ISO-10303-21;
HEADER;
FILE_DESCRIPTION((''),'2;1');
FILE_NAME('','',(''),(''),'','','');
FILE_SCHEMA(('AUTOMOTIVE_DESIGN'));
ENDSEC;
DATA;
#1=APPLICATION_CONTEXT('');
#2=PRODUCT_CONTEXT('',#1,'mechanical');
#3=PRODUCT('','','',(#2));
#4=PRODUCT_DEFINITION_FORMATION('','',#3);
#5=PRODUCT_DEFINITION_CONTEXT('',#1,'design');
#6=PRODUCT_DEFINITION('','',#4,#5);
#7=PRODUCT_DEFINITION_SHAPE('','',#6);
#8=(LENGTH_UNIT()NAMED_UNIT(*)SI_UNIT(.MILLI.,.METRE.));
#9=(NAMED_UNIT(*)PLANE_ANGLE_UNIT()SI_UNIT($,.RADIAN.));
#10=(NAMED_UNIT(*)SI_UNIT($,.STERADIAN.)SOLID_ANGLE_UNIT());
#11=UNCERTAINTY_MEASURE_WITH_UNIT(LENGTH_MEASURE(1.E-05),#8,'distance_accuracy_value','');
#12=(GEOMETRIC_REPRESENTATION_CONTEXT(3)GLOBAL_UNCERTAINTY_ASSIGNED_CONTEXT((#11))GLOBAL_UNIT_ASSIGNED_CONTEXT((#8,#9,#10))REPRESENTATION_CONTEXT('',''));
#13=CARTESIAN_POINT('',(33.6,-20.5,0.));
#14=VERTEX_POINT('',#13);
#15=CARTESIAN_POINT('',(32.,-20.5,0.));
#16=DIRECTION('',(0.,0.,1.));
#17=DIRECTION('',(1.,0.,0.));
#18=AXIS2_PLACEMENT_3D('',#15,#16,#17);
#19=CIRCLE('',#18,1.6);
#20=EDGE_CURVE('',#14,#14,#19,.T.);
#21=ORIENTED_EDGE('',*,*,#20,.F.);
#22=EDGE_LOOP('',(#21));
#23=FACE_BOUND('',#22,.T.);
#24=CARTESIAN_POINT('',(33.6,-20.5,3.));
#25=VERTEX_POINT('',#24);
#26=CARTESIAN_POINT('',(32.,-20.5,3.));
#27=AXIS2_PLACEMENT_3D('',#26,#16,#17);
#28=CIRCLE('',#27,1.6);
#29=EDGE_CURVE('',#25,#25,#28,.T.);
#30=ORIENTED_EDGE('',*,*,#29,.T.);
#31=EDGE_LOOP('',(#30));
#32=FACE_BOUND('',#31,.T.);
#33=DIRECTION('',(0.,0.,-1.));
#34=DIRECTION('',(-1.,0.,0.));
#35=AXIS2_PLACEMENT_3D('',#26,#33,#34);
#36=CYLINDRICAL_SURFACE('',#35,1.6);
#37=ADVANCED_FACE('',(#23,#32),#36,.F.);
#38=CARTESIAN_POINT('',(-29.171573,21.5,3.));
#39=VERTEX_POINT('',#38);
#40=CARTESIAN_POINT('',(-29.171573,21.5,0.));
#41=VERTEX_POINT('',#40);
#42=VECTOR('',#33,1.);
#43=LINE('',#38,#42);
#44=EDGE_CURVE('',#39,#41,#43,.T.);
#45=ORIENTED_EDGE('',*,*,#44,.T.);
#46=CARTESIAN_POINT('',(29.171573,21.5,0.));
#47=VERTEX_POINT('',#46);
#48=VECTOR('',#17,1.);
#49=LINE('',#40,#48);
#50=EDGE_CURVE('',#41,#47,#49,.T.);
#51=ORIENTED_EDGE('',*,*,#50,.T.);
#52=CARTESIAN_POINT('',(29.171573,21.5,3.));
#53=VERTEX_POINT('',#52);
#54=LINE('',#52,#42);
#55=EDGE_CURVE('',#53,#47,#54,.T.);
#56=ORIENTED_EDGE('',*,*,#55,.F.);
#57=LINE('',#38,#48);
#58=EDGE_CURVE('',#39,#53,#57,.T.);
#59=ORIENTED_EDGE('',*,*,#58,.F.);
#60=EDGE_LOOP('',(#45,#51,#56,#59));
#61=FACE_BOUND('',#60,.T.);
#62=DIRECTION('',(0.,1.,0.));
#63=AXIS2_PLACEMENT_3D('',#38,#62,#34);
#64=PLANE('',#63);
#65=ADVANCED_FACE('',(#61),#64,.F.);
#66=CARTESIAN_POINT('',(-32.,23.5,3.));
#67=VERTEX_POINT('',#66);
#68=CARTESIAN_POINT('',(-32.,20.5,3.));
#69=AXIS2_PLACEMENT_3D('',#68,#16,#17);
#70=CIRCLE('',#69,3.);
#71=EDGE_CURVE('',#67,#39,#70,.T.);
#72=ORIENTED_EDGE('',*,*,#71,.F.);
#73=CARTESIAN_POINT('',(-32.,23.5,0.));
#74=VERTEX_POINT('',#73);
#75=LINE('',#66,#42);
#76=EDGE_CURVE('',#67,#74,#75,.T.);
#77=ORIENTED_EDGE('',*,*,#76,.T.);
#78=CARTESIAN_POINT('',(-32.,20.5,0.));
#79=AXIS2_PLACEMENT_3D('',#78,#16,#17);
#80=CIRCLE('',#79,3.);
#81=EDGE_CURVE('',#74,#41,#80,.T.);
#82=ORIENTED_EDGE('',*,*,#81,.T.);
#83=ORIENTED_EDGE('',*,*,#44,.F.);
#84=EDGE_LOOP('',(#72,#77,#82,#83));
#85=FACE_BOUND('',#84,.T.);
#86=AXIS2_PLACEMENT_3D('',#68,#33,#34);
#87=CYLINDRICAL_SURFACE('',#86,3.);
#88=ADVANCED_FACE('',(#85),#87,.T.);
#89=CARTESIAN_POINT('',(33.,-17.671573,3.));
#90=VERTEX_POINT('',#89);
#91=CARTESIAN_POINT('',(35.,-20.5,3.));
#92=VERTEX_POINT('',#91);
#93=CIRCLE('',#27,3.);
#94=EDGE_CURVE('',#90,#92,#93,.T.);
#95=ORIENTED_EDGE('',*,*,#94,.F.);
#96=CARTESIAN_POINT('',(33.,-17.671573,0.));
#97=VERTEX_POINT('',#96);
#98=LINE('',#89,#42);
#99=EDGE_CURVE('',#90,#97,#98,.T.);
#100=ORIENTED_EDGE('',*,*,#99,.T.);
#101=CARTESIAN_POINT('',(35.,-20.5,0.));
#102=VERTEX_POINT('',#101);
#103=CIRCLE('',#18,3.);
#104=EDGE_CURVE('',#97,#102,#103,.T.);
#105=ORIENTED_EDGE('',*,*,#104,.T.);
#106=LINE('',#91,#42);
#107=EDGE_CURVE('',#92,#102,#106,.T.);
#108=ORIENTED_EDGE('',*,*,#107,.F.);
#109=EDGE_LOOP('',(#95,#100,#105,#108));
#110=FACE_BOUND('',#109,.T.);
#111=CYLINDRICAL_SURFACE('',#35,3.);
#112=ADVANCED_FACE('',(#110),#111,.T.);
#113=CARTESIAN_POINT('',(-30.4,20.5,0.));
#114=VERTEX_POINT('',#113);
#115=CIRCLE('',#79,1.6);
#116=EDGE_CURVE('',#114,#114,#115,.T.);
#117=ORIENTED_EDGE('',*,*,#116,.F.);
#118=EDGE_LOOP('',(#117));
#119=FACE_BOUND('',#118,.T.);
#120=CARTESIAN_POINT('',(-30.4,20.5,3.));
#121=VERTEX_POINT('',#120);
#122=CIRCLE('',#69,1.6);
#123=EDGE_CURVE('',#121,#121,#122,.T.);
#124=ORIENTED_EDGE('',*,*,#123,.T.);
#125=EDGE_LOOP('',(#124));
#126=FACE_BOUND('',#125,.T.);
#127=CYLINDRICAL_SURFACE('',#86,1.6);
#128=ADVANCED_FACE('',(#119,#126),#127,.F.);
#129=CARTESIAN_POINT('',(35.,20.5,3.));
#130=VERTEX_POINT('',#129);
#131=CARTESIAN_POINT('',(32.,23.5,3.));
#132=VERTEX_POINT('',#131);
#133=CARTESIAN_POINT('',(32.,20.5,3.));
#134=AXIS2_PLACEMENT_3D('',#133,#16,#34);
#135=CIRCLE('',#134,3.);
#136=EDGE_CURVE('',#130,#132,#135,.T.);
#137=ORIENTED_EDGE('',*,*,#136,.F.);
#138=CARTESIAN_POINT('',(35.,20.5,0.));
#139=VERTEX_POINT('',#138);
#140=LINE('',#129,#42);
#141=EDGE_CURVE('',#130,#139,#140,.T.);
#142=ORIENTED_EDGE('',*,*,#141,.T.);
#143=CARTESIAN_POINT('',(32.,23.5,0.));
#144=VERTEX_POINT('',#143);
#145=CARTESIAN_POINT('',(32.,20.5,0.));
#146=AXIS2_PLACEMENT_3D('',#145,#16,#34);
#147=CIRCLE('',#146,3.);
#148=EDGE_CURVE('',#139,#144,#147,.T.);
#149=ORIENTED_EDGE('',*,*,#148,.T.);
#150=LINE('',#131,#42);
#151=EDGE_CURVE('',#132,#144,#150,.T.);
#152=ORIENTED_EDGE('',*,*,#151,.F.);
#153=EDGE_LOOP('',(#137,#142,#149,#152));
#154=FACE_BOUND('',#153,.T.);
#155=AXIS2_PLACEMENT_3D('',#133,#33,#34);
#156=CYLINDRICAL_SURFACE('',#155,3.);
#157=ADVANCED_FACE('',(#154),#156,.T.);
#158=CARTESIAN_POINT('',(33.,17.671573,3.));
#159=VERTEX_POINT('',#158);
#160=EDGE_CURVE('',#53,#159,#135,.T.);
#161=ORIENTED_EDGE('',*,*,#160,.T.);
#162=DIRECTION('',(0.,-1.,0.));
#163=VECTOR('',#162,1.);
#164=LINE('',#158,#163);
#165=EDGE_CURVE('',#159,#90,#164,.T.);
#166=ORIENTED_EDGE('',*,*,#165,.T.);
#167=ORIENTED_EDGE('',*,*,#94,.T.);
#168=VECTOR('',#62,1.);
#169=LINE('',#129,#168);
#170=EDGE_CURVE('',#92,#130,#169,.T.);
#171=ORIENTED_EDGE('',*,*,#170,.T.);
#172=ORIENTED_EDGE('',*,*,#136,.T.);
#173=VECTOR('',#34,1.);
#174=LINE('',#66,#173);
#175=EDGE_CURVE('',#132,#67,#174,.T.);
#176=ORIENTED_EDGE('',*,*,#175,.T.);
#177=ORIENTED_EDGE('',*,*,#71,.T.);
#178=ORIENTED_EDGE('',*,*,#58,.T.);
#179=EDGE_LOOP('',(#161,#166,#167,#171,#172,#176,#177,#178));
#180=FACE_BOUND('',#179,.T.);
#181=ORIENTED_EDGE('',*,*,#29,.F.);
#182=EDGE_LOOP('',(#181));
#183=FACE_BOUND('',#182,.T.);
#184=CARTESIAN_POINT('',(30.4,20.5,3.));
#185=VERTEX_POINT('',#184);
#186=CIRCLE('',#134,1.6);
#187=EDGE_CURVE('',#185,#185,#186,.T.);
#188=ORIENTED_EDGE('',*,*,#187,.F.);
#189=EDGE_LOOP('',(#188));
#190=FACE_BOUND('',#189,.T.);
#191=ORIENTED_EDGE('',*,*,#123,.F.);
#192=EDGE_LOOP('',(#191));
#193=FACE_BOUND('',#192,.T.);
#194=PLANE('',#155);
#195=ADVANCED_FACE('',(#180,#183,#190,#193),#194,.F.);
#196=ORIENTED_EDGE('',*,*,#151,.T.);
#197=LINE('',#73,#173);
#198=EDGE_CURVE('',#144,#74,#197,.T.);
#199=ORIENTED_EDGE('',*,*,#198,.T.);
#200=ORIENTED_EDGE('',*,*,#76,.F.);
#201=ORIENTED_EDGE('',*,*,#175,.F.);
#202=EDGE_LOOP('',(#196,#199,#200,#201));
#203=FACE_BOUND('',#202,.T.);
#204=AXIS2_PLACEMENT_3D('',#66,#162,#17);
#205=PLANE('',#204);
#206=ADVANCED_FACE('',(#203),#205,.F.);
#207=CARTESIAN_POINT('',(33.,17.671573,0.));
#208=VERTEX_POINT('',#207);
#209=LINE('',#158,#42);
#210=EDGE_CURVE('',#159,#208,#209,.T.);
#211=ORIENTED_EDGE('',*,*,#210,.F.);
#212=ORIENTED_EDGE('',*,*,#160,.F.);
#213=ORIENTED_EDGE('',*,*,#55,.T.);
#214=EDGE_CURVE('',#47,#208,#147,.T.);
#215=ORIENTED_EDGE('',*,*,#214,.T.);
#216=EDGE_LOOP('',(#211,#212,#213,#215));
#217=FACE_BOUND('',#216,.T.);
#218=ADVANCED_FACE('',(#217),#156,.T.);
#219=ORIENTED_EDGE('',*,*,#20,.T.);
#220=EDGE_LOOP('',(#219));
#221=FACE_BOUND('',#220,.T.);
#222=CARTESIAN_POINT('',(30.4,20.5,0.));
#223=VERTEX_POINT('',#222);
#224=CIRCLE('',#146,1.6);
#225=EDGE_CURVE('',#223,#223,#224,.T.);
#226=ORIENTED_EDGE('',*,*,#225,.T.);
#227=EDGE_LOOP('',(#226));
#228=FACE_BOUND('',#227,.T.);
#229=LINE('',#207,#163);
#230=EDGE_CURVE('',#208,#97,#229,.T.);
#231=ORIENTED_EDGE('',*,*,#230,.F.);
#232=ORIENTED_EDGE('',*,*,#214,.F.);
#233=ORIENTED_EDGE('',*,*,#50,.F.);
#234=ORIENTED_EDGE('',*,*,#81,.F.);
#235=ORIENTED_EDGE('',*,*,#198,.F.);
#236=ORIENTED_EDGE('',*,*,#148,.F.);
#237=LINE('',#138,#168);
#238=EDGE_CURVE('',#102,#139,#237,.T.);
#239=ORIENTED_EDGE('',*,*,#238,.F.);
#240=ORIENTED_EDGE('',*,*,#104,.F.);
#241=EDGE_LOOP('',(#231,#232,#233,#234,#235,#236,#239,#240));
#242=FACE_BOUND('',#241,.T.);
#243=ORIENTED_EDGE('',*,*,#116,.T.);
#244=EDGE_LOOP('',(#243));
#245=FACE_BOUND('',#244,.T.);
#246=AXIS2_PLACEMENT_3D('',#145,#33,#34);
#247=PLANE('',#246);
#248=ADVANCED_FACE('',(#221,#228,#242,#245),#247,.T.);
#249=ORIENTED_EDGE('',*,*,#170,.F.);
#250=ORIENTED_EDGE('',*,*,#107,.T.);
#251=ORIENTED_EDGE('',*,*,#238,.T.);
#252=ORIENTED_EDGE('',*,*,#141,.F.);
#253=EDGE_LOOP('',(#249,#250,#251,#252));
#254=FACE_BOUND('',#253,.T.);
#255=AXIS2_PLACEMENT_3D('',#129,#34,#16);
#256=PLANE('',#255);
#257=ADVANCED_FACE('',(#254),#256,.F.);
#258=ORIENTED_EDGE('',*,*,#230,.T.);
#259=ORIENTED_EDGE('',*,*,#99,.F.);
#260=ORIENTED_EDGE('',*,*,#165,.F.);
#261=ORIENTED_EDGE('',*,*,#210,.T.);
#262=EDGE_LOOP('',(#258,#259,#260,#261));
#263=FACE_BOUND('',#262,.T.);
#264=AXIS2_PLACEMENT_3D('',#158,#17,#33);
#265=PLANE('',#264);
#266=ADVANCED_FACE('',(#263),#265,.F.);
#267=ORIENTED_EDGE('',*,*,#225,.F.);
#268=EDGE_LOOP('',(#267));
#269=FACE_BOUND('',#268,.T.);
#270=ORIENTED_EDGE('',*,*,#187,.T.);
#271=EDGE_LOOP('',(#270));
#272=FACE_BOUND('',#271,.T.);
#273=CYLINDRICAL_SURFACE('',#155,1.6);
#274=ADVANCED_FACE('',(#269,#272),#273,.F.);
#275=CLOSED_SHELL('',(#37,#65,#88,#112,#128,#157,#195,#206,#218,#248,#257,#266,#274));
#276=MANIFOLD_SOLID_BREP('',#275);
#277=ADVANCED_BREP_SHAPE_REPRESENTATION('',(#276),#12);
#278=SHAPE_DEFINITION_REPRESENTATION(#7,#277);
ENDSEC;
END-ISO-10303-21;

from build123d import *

# Parameters (mm, degrees)
ESBO_O1_R                = 1.6
RESSALTO_EXTRUS_O1_DEPTH = 3


with BuildPart() as part:
    # Esboço1 → Ressalto-extrusão1 (new body)
    with BuildSketch(Plane.XY):
        with BuildLine():
            Line((35, 20.5), (35, -20.5))
            ThreePointArc((35, -20.5), (29.550510257, -22.232050808), (33, -17.671572875))
            Line((33, -17.671572875), (33, 17.671572875))
            ThreePointArc((33, 17.671572875), (29.878679656, 18.378679656), (29.171572875, 21.5))
            Line((29.171572875, 21.5), (-29.171572875, 21.5))
            ThreePointArc((-29.171572875, 21.5), (-33.732050808, 18.050510257), (-32, 23.5))
            Line((-32, 23.5), (32, 23.5))
            ThreePointArc((32, 23.5), (34.121320344, 22.621320344), (35, 20.5))
        make_face()
        with Locations((-32, 20.5)):
            Circle(ESBO_O1_R, mode=Mode.SUBTRACT)
        with Locations((32, 20.5)):
            Circle(ESBO_O1_R, mode=Mode.SUBTRACT)
        with Locations((32, -20.5)):
            Circle(ESBO_O1_R, mode=Mode.SUBTRACT)
    extrude(amount=RESSALTO_EXTRUS_O1_DEPTH)


solid = part.part
